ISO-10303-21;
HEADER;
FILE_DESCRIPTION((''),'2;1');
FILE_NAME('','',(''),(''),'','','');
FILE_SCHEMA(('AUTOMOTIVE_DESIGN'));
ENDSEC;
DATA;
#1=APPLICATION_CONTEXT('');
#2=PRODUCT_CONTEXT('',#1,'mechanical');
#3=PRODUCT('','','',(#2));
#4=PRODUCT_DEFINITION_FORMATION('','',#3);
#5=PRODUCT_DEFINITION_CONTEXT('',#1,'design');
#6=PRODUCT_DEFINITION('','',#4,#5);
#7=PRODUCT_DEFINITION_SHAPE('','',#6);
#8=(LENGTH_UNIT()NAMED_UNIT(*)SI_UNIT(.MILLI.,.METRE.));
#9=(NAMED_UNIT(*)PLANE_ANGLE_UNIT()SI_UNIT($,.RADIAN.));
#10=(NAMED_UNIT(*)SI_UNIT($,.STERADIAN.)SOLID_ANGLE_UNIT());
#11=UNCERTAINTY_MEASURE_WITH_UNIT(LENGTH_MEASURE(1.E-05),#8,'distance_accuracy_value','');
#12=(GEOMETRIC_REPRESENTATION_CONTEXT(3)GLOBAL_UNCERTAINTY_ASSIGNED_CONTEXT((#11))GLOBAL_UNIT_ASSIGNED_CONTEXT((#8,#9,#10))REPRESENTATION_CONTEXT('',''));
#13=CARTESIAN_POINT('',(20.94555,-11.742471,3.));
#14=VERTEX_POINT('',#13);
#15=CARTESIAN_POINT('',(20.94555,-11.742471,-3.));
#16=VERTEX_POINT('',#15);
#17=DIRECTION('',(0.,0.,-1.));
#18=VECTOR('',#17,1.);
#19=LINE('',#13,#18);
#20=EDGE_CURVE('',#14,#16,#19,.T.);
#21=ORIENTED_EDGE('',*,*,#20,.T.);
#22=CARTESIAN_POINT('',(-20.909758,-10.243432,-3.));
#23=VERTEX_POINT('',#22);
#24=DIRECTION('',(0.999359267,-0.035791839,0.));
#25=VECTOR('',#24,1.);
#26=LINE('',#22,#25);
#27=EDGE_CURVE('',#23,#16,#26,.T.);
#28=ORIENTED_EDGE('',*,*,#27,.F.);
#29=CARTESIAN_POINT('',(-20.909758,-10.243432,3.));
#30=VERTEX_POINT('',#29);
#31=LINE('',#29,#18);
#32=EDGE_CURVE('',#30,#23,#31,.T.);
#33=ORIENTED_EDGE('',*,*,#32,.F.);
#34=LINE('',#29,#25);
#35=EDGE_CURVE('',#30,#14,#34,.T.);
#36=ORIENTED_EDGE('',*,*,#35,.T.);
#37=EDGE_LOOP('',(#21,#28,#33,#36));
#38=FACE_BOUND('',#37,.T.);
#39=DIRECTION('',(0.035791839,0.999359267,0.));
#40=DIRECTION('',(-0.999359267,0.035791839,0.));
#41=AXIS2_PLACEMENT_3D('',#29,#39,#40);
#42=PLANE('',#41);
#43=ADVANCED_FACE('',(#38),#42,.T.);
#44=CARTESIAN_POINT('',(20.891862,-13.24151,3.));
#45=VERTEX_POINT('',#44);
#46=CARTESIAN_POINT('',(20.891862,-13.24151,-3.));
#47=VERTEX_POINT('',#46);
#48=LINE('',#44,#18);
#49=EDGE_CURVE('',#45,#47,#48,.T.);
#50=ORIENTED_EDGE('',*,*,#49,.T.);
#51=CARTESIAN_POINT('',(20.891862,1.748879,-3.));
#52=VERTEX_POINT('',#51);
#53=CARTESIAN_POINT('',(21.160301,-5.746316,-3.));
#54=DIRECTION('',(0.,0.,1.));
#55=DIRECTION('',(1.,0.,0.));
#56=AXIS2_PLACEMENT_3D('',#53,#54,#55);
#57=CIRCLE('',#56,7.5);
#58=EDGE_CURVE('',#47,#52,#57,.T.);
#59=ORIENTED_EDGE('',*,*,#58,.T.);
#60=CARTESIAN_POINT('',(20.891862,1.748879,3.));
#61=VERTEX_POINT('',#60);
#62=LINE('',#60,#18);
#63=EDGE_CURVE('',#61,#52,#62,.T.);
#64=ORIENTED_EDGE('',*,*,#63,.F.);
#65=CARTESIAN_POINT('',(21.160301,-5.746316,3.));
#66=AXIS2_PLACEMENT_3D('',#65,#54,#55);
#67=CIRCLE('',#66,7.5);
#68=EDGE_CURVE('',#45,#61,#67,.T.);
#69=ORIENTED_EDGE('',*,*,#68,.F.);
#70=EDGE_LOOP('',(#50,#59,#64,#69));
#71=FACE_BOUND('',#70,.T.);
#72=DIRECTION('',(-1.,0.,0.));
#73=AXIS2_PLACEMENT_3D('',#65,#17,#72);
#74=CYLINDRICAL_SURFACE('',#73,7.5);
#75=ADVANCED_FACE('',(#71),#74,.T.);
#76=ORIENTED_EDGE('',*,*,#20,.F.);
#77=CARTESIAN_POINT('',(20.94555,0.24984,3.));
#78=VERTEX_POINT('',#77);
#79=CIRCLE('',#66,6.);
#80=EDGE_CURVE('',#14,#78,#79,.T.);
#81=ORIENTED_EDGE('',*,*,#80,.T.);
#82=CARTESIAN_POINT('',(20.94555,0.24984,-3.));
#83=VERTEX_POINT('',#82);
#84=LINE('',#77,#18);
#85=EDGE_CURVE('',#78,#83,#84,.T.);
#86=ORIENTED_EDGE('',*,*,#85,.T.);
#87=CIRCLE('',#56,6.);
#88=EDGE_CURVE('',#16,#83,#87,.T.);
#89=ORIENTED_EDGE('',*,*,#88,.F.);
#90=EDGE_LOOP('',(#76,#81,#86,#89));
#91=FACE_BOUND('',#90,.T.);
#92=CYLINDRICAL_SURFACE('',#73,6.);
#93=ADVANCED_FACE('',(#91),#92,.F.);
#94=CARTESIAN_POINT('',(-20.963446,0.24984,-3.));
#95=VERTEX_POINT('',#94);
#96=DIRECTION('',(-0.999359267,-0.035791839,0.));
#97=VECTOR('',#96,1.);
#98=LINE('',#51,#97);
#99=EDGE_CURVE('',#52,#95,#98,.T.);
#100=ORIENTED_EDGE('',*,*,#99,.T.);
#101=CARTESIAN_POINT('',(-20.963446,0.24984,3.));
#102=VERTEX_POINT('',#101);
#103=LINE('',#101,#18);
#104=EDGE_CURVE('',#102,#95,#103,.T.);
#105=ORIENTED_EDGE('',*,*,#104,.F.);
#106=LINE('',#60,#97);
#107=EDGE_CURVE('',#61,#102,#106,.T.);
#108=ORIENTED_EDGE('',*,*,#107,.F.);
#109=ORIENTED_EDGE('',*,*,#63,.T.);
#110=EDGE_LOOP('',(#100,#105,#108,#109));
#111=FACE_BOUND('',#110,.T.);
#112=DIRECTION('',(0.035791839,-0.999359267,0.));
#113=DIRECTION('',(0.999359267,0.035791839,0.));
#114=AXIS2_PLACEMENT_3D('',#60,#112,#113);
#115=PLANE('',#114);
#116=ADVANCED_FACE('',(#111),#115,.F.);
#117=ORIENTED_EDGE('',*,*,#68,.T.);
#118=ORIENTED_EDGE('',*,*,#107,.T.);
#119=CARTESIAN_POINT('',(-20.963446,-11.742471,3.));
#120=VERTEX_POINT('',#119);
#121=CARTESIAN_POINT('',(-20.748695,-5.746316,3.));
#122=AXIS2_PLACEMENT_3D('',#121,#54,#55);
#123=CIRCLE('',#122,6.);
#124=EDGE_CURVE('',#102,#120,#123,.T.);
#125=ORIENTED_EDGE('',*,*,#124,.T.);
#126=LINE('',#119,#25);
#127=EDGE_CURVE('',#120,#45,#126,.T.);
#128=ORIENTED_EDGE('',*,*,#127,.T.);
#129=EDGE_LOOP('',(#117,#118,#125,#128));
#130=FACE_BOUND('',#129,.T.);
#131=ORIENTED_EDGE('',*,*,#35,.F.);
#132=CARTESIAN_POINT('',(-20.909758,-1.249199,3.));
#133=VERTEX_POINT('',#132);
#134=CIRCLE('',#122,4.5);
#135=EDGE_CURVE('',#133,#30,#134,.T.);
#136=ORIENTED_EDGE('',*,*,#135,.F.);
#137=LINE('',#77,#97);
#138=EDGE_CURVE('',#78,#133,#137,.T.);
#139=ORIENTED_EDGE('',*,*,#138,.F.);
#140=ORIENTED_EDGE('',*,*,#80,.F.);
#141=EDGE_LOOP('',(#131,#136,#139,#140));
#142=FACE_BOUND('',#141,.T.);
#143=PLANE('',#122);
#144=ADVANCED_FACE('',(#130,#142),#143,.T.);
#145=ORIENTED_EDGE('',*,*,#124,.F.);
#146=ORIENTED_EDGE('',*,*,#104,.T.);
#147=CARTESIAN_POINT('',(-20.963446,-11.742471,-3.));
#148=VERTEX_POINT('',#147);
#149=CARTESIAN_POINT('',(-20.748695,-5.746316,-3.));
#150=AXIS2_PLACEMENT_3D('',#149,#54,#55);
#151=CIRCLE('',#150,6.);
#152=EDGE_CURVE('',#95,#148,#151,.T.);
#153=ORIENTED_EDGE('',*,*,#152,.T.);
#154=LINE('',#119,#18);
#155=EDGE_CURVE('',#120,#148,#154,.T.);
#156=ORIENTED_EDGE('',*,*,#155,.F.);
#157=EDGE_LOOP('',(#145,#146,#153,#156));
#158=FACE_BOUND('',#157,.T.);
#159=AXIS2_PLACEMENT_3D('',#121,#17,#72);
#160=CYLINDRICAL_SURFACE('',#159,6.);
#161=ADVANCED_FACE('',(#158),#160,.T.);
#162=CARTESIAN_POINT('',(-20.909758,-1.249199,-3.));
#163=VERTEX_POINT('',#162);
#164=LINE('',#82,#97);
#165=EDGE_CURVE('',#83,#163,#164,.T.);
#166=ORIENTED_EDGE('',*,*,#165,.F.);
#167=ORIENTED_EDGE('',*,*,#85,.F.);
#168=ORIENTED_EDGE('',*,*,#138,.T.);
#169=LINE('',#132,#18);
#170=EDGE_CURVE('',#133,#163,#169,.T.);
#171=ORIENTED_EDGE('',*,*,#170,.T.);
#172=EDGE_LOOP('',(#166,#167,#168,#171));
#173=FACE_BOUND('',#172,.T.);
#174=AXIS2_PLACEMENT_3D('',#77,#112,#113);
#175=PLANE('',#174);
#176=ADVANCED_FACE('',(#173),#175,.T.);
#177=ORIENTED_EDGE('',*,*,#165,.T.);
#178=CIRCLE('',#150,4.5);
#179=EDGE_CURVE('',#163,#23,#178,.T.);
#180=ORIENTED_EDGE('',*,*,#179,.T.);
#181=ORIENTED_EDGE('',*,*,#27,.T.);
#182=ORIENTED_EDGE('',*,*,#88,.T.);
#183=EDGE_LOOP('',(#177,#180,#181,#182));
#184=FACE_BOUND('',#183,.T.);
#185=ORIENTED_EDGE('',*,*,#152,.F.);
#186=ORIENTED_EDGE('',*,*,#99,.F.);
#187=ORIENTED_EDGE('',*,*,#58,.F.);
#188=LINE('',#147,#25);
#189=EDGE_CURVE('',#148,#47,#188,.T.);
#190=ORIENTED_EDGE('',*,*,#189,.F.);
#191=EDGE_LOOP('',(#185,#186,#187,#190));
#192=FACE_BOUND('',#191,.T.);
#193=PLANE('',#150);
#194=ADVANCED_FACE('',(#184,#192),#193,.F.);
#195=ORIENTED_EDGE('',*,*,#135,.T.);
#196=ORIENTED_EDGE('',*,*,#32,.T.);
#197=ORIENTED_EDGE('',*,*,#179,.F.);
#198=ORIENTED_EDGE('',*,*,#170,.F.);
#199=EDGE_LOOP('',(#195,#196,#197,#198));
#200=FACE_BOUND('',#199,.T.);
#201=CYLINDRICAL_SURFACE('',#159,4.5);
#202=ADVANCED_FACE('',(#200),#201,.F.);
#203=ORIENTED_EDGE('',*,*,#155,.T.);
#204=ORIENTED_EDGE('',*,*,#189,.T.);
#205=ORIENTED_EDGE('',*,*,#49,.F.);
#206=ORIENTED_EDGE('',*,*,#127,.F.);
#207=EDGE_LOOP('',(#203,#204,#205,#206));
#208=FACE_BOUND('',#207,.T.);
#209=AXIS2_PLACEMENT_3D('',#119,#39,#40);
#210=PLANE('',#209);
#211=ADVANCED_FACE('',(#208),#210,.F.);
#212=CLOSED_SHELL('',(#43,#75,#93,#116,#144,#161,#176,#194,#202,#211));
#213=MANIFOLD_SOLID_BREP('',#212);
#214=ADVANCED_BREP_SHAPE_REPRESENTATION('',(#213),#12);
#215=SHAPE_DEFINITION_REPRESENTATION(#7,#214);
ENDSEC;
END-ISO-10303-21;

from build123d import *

# Parameters (mm, degrees)
EXTRUDE_THIN1_DEPTH = 3


with BuildPart() as part:
    # Sketch1 → Extrude-Thin1 (new, symmetric)
    with BuildSketch(Plane.XY):
        with BuildLine():
            Line((20.891862031, 1.748878717), (-20.963445708, 0.249839817))
            ThreePointArc((-20.963445708, 0.249839817), (-26.748694676, -5.746315785), (-20.963445708, -11.742471386))
            Line((-20.963445708, -11.742471386), (20.891862031, -13.241510286))
            ThreePointArc((20.891862031, -13.241510286), (28.66030082, -5.746315785), (20.891862031, 1.748878717))
        make_face()
        with BuildLine():
            Line((20.945549788, 0.249839817), (-20.90975795, -1.249199084))
            ThreePointArc((-20.90975795, -1.249199084), (-25.248694676, -5.746315785), (-20.90975795, -10.243432485))
            Line((-20.90975795, -10.243432485), (20.945549788, -11.742471386))
            ThreePointArc((20.945549788, -11.742471386), (27.16030082, -5.746315785), (20.945549788, 0.249839817))
        make_face(mode=Mode.SUBTRACT)
    extrude(amount=EXTRUDE_THIN1_DEPTH, both=True)


solid = part.part
